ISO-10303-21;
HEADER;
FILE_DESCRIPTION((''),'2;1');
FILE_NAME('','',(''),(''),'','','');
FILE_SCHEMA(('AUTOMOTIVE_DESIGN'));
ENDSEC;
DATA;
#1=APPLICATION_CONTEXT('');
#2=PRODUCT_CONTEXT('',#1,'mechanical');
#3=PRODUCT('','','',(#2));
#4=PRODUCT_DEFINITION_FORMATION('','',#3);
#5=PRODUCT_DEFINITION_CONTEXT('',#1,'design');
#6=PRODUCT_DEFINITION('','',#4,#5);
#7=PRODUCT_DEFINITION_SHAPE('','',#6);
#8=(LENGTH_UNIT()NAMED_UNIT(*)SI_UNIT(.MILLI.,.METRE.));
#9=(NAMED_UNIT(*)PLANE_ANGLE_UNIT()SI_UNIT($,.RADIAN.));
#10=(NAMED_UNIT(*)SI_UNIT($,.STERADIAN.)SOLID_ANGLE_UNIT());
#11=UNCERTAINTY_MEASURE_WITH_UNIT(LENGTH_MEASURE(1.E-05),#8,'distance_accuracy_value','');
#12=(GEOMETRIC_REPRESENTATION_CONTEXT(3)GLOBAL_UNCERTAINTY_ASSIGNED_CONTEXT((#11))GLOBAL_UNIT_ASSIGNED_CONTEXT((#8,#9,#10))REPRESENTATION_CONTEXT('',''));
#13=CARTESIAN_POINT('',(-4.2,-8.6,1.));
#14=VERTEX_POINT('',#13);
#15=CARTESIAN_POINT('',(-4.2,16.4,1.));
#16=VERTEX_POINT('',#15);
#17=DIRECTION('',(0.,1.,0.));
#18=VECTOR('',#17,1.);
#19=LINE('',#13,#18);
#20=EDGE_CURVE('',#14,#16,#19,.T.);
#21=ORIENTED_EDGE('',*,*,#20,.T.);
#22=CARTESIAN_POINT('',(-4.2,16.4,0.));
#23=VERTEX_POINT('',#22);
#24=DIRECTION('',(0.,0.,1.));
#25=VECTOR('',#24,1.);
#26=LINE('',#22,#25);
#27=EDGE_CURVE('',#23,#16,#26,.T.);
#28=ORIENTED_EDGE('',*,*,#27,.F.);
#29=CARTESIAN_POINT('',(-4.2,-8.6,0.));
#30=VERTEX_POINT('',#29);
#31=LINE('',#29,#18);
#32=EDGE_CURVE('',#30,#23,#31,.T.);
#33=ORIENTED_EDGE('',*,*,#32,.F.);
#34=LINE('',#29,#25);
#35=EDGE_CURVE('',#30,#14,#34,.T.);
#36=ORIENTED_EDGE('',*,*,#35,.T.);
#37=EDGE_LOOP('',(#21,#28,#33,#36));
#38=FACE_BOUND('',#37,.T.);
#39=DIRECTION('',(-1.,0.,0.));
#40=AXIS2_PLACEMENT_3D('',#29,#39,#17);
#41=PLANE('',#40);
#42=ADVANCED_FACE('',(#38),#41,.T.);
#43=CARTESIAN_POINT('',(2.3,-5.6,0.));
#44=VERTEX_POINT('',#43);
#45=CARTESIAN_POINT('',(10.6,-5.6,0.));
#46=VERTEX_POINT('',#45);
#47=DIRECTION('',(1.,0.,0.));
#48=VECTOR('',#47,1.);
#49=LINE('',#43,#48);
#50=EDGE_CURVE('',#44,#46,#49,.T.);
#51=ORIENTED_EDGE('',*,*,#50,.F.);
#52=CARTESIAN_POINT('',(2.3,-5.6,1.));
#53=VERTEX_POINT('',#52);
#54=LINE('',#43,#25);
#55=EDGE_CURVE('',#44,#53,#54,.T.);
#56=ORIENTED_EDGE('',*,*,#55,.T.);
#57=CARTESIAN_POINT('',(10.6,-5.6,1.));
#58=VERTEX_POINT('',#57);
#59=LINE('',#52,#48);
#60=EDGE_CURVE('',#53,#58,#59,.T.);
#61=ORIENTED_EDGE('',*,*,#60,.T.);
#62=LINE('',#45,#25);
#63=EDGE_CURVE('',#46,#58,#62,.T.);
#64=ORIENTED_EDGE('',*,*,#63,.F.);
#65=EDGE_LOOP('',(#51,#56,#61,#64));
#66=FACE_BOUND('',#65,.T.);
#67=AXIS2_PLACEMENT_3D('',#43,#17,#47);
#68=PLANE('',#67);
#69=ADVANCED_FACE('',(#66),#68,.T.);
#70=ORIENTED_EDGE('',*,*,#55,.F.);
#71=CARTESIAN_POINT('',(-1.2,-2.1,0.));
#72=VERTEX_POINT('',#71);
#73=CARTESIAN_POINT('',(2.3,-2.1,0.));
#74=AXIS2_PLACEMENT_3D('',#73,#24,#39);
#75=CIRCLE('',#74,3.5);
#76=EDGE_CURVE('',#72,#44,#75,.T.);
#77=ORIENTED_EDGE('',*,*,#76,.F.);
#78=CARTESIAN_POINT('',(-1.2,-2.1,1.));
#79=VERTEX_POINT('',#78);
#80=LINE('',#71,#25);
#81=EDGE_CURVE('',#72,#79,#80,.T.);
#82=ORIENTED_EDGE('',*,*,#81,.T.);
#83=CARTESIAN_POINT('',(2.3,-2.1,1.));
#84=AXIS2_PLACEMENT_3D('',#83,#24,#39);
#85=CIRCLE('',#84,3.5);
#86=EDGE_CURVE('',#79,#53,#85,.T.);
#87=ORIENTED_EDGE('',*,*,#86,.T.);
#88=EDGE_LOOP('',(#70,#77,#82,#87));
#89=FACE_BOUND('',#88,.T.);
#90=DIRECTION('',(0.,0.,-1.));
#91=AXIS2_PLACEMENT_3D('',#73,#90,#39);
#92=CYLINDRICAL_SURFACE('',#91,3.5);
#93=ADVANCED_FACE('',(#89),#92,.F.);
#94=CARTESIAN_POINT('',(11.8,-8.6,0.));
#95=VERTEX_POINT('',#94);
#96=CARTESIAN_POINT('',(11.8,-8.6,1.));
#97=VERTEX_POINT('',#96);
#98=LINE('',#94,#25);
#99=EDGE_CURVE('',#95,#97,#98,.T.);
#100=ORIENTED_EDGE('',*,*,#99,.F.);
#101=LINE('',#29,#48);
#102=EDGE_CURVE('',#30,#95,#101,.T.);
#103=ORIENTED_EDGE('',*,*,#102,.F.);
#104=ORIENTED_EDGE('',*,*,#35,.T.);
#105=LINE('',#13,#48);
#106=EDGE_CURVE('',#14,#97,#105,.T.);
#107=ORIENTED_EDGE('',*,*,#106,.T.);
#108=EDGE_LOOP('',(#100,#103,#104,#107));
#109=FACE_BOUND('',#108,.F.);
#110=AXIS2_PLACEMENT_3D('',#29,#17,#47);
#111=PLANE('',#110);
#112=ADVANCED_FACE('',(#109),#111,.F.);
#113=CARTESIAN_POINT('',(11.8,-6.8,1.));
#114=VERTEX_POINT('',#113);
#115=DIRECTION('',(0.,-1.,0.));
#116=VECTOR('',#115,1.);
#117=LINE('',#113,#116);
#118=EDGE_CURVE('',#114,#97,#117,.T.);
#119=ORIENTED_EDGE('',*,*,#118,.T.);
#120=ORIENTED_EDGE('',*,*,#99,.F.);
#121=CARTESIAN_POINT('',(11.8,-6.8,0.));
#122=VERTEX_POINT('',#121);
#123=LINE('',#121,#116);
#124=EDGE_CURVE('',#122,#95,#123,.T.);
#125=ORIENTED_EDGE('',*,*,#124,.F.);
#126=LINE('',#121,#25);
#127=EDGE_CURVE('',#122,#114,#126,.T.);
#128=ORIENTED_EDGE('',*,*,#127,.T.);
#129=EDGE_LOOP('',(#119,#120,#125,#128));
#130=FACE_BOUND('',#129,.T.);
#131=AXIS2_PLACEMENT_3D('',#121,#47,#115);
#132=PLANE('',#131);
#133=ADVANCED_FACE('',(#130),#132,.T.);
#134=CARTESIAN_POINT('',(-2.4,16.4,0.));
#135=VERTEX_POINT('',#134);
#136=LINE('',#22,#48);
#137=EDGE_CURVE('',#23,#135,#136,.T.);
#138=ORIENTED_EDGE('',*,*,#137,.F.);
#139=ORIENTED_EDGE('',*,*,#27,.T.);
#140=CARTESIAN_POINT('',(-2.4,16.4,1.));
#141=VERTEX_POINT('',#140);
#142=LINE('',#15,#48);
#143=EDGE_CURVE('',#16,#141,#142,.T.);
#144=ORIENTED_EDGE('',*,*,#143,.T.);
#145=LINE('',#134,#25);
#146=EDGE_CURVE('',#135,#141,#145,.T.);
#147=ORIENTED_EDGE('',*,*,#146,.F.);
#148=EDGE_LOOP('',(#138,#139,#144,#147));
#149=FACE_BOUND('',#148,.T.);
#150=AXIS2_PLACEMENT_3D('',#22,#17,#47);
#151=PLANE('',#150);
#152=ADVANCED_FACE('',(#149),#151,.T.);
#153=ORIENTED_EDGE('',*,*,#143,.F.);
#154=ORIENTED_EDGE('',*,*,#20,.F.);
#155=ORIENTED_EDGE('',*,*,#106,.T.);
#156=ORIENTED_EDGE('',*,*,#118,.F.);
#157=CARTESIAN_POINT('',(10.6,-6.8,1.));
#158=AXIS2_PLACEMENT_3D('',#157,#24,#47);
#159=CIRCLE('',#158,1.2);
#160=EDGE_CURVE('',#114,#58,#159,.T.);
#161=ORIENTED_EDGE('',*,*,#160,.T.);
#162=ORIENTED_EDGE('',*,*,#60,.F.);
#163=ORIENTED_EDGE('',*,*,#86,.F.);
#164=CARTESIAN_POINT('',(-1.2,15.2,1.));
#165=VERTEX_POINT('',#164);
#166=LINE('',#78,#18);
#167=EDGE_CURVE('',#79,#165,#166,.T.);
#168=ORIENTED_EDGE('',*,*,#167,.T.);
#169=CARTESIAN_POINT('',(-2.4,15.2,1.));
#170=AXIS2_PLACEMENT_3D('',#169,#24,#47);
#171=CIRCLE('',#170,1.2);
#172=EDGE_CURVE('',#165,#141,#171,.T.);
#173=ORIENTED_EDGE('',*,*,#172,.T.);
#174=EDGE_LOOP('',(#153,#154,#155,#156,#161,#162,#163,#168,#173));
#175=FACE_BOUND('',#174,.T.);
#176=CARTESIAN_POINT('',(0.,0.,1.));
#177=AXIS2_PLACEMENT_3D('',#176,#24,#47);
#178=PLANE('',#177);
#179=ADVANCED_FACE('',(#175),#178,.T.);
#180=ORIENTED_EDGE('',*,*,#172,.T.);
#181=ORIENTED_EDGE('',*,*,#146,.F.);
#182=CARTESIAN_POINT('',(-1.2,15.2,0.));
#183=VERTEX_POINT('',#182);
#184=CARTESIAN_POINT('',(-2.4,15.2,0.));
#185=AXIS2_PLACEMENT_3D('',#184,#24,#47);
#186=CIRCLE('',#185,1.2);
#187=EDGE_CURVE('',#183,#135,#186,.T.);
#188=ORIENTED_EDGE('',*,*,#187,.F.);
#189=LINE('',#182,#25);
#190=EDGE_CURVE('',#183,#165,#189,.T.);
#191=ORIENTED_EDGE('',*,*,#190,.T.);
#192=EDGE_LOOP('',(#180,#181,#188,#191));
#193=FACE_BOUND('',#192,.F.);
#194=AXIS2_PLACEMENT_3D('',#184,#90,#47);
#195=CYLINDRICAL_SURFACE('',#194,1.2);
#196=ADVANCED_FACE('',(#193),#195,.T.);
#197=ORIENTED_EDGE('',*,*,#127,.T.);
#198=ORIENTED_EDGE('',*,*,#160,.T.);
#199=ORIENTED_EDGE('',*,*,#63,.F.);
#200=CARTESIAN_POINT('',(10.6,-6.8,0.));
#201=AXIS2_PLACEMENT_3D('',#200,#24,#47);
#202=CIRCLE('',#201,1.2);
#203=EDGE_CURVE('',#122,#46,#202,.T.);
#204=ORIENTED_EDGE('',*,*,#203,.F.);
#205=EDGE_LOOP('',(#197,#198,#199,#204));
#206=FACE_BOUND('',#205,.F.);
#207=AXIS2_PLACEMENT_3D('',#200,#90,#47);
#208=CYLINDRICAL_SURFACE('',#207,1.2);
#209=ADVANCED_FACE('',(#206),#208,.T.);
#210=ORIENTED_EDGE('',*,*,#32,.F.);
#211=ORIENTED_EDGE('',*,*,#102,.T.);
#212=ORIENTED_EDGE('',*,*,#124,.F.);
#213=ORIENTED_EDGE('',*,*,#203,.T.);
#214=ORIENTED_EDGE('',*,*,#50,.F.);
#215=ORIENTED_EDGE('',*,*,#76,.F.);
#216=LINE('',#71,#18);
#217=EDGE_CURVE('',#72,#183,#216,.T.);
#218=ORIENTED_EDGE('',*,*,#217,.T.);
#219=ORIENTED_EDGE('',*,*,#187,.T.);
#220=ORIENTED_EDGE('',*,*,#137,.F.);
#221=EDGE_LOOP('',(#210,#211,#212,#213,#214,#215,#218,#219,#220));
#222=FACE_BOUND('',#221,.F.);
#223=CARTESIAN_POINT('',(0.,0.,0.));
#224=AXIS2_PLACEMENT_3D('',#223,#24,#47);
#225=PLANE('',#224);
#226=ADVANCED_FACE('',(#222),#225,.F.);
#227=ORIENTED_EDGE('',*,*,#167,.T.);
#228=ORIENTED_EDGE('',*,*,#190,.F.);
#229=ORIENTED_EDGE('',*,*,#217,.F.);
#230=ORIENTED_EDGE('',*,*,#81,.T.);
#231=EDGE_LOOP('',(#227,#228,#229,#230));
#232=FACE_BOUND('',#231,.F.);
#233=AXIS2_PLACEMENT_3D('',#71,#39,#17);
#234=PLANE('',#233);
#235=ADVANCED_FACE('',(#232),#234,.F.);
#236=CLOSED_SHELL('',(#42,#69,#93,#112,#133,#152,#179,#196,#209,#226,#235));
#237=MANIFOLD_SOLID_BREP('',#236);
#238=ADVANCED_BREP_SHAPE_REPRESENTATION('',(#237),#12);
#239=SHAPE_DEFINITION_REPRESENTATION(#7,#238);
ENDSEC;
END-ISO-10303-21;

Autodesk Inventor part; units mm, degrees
ref_plane "YZ Plane" through (0, 0, 0) normal (1, 0, 0) x (0, 1, 0)
ref_plane "Начальная плоскость" through (0, 0, 0) normal (0, 0, 1) x (1, 0, 0)
ref_plane "Конечная плоскость" through (0, 0, 1) normal (0, 0, 1) x (1, 0, 0)
sketch "Эскиз" plane through (0, 0, 0) normal (0, 0, 1) x (1, 0, 0)
  line L0 (-1.2, -2.1) -> (-1.2, 15.2)
  line L1 (-4.2, 16.4) -> (-2.4, 16.4)
  line L2 (-4.2, -8.6) -> (-4.2, 16.4)
  line L3 (-4.2, -8.6) -> (11.8, -8.6)
  line L4 (11.8, -6.8) -> (11.8, -8.6)
  line L5 (2.3, -5.6) -> (10.6, -5.6)
  arc A0 (-1.2, -2.1) -> (2.3, -5.6) centre (2.3, -2.1) ccw
  arc A1 (-1.2, 15.2) -> (-2.4, 16.4) centre (-2.4, 15.2) ccw
  arc A2 (11.8, -6.8) -> (10.6, -5.6) centre (10.6, -6.8) ccw
  line L6 (11.8, 0) -> (-4.2, 0) construction
  line L7 (0, -8.6) -> (0, 16.4) construction
  line L8 (0, 0) -> (16, 0) construction
  point P0 (-1.2, -5.6)
  point P1 (-1.2, 16.4)
  point P2 (11.8, -5.6)
  dimension "d17" = 3.5
  dimension "d19" = 1.2
  dimension "d26" = 8.6
  dimension "d27" = 4.2
  dimension "d28" = 25
  dimension "d29" = 16
  dimension "d30" = 3
  dimension "d31" = 3
  dimension "d32" = 90
extrude "Базовый элемент" add sketch "Эскиз" along normal up to surface (1 mm away) from surface at 0
sketch "Sketch3" plane through (0, 0, 0) normal (0, 0, 1) x (1, 0, 0)
  line L0 (0, 0) -> (10, 0)
ref_plane "Work Plane10" through (0, 0, 0) normal (0, -1, 0) x (1, 0, 0)
sketch "Sketch4" plane through (0, 0, 0) normal (0, -1, 0) x (1, 0, 0)
  line L0 (-2, 0) -> (12, 0)
  line L1 (-2, 1) -> (12, 1)
  dimension "d25" = 1
equation "\"d17\" = R"
equation "\"d19\" = r1"
equation "\"d26\" = ey"
equation "\"d27\" = ex"
equation "\"d28\" = b"
equation "\"d29\" = a"
equation "\"d30\" = ParT"
equation "\"d31\" = ParT"
equation "\"d11\" = G_L"
equation "\"b\" = 25"
equation "\"ParT\" = 3"
equation "\"R\" = 3.5"
equation "\"G_L\" = d25"
equation "\"r1\" = 1.2"
equation "\"G_OFFSET_START\" = 0"
equation "\"G_OFFSET_END\" = 0"
equation "\"d21\" = G_OFFSET_END + B_L"
equation "\"ex\" = 4.2"
equation "\"ey\" = 8.6"
equation "\"B_L\" = 1"
equation "\"a\" = 16"
properties part number "Кутик ДСТУ 2251" material "С245 ДСТУ 8539"
